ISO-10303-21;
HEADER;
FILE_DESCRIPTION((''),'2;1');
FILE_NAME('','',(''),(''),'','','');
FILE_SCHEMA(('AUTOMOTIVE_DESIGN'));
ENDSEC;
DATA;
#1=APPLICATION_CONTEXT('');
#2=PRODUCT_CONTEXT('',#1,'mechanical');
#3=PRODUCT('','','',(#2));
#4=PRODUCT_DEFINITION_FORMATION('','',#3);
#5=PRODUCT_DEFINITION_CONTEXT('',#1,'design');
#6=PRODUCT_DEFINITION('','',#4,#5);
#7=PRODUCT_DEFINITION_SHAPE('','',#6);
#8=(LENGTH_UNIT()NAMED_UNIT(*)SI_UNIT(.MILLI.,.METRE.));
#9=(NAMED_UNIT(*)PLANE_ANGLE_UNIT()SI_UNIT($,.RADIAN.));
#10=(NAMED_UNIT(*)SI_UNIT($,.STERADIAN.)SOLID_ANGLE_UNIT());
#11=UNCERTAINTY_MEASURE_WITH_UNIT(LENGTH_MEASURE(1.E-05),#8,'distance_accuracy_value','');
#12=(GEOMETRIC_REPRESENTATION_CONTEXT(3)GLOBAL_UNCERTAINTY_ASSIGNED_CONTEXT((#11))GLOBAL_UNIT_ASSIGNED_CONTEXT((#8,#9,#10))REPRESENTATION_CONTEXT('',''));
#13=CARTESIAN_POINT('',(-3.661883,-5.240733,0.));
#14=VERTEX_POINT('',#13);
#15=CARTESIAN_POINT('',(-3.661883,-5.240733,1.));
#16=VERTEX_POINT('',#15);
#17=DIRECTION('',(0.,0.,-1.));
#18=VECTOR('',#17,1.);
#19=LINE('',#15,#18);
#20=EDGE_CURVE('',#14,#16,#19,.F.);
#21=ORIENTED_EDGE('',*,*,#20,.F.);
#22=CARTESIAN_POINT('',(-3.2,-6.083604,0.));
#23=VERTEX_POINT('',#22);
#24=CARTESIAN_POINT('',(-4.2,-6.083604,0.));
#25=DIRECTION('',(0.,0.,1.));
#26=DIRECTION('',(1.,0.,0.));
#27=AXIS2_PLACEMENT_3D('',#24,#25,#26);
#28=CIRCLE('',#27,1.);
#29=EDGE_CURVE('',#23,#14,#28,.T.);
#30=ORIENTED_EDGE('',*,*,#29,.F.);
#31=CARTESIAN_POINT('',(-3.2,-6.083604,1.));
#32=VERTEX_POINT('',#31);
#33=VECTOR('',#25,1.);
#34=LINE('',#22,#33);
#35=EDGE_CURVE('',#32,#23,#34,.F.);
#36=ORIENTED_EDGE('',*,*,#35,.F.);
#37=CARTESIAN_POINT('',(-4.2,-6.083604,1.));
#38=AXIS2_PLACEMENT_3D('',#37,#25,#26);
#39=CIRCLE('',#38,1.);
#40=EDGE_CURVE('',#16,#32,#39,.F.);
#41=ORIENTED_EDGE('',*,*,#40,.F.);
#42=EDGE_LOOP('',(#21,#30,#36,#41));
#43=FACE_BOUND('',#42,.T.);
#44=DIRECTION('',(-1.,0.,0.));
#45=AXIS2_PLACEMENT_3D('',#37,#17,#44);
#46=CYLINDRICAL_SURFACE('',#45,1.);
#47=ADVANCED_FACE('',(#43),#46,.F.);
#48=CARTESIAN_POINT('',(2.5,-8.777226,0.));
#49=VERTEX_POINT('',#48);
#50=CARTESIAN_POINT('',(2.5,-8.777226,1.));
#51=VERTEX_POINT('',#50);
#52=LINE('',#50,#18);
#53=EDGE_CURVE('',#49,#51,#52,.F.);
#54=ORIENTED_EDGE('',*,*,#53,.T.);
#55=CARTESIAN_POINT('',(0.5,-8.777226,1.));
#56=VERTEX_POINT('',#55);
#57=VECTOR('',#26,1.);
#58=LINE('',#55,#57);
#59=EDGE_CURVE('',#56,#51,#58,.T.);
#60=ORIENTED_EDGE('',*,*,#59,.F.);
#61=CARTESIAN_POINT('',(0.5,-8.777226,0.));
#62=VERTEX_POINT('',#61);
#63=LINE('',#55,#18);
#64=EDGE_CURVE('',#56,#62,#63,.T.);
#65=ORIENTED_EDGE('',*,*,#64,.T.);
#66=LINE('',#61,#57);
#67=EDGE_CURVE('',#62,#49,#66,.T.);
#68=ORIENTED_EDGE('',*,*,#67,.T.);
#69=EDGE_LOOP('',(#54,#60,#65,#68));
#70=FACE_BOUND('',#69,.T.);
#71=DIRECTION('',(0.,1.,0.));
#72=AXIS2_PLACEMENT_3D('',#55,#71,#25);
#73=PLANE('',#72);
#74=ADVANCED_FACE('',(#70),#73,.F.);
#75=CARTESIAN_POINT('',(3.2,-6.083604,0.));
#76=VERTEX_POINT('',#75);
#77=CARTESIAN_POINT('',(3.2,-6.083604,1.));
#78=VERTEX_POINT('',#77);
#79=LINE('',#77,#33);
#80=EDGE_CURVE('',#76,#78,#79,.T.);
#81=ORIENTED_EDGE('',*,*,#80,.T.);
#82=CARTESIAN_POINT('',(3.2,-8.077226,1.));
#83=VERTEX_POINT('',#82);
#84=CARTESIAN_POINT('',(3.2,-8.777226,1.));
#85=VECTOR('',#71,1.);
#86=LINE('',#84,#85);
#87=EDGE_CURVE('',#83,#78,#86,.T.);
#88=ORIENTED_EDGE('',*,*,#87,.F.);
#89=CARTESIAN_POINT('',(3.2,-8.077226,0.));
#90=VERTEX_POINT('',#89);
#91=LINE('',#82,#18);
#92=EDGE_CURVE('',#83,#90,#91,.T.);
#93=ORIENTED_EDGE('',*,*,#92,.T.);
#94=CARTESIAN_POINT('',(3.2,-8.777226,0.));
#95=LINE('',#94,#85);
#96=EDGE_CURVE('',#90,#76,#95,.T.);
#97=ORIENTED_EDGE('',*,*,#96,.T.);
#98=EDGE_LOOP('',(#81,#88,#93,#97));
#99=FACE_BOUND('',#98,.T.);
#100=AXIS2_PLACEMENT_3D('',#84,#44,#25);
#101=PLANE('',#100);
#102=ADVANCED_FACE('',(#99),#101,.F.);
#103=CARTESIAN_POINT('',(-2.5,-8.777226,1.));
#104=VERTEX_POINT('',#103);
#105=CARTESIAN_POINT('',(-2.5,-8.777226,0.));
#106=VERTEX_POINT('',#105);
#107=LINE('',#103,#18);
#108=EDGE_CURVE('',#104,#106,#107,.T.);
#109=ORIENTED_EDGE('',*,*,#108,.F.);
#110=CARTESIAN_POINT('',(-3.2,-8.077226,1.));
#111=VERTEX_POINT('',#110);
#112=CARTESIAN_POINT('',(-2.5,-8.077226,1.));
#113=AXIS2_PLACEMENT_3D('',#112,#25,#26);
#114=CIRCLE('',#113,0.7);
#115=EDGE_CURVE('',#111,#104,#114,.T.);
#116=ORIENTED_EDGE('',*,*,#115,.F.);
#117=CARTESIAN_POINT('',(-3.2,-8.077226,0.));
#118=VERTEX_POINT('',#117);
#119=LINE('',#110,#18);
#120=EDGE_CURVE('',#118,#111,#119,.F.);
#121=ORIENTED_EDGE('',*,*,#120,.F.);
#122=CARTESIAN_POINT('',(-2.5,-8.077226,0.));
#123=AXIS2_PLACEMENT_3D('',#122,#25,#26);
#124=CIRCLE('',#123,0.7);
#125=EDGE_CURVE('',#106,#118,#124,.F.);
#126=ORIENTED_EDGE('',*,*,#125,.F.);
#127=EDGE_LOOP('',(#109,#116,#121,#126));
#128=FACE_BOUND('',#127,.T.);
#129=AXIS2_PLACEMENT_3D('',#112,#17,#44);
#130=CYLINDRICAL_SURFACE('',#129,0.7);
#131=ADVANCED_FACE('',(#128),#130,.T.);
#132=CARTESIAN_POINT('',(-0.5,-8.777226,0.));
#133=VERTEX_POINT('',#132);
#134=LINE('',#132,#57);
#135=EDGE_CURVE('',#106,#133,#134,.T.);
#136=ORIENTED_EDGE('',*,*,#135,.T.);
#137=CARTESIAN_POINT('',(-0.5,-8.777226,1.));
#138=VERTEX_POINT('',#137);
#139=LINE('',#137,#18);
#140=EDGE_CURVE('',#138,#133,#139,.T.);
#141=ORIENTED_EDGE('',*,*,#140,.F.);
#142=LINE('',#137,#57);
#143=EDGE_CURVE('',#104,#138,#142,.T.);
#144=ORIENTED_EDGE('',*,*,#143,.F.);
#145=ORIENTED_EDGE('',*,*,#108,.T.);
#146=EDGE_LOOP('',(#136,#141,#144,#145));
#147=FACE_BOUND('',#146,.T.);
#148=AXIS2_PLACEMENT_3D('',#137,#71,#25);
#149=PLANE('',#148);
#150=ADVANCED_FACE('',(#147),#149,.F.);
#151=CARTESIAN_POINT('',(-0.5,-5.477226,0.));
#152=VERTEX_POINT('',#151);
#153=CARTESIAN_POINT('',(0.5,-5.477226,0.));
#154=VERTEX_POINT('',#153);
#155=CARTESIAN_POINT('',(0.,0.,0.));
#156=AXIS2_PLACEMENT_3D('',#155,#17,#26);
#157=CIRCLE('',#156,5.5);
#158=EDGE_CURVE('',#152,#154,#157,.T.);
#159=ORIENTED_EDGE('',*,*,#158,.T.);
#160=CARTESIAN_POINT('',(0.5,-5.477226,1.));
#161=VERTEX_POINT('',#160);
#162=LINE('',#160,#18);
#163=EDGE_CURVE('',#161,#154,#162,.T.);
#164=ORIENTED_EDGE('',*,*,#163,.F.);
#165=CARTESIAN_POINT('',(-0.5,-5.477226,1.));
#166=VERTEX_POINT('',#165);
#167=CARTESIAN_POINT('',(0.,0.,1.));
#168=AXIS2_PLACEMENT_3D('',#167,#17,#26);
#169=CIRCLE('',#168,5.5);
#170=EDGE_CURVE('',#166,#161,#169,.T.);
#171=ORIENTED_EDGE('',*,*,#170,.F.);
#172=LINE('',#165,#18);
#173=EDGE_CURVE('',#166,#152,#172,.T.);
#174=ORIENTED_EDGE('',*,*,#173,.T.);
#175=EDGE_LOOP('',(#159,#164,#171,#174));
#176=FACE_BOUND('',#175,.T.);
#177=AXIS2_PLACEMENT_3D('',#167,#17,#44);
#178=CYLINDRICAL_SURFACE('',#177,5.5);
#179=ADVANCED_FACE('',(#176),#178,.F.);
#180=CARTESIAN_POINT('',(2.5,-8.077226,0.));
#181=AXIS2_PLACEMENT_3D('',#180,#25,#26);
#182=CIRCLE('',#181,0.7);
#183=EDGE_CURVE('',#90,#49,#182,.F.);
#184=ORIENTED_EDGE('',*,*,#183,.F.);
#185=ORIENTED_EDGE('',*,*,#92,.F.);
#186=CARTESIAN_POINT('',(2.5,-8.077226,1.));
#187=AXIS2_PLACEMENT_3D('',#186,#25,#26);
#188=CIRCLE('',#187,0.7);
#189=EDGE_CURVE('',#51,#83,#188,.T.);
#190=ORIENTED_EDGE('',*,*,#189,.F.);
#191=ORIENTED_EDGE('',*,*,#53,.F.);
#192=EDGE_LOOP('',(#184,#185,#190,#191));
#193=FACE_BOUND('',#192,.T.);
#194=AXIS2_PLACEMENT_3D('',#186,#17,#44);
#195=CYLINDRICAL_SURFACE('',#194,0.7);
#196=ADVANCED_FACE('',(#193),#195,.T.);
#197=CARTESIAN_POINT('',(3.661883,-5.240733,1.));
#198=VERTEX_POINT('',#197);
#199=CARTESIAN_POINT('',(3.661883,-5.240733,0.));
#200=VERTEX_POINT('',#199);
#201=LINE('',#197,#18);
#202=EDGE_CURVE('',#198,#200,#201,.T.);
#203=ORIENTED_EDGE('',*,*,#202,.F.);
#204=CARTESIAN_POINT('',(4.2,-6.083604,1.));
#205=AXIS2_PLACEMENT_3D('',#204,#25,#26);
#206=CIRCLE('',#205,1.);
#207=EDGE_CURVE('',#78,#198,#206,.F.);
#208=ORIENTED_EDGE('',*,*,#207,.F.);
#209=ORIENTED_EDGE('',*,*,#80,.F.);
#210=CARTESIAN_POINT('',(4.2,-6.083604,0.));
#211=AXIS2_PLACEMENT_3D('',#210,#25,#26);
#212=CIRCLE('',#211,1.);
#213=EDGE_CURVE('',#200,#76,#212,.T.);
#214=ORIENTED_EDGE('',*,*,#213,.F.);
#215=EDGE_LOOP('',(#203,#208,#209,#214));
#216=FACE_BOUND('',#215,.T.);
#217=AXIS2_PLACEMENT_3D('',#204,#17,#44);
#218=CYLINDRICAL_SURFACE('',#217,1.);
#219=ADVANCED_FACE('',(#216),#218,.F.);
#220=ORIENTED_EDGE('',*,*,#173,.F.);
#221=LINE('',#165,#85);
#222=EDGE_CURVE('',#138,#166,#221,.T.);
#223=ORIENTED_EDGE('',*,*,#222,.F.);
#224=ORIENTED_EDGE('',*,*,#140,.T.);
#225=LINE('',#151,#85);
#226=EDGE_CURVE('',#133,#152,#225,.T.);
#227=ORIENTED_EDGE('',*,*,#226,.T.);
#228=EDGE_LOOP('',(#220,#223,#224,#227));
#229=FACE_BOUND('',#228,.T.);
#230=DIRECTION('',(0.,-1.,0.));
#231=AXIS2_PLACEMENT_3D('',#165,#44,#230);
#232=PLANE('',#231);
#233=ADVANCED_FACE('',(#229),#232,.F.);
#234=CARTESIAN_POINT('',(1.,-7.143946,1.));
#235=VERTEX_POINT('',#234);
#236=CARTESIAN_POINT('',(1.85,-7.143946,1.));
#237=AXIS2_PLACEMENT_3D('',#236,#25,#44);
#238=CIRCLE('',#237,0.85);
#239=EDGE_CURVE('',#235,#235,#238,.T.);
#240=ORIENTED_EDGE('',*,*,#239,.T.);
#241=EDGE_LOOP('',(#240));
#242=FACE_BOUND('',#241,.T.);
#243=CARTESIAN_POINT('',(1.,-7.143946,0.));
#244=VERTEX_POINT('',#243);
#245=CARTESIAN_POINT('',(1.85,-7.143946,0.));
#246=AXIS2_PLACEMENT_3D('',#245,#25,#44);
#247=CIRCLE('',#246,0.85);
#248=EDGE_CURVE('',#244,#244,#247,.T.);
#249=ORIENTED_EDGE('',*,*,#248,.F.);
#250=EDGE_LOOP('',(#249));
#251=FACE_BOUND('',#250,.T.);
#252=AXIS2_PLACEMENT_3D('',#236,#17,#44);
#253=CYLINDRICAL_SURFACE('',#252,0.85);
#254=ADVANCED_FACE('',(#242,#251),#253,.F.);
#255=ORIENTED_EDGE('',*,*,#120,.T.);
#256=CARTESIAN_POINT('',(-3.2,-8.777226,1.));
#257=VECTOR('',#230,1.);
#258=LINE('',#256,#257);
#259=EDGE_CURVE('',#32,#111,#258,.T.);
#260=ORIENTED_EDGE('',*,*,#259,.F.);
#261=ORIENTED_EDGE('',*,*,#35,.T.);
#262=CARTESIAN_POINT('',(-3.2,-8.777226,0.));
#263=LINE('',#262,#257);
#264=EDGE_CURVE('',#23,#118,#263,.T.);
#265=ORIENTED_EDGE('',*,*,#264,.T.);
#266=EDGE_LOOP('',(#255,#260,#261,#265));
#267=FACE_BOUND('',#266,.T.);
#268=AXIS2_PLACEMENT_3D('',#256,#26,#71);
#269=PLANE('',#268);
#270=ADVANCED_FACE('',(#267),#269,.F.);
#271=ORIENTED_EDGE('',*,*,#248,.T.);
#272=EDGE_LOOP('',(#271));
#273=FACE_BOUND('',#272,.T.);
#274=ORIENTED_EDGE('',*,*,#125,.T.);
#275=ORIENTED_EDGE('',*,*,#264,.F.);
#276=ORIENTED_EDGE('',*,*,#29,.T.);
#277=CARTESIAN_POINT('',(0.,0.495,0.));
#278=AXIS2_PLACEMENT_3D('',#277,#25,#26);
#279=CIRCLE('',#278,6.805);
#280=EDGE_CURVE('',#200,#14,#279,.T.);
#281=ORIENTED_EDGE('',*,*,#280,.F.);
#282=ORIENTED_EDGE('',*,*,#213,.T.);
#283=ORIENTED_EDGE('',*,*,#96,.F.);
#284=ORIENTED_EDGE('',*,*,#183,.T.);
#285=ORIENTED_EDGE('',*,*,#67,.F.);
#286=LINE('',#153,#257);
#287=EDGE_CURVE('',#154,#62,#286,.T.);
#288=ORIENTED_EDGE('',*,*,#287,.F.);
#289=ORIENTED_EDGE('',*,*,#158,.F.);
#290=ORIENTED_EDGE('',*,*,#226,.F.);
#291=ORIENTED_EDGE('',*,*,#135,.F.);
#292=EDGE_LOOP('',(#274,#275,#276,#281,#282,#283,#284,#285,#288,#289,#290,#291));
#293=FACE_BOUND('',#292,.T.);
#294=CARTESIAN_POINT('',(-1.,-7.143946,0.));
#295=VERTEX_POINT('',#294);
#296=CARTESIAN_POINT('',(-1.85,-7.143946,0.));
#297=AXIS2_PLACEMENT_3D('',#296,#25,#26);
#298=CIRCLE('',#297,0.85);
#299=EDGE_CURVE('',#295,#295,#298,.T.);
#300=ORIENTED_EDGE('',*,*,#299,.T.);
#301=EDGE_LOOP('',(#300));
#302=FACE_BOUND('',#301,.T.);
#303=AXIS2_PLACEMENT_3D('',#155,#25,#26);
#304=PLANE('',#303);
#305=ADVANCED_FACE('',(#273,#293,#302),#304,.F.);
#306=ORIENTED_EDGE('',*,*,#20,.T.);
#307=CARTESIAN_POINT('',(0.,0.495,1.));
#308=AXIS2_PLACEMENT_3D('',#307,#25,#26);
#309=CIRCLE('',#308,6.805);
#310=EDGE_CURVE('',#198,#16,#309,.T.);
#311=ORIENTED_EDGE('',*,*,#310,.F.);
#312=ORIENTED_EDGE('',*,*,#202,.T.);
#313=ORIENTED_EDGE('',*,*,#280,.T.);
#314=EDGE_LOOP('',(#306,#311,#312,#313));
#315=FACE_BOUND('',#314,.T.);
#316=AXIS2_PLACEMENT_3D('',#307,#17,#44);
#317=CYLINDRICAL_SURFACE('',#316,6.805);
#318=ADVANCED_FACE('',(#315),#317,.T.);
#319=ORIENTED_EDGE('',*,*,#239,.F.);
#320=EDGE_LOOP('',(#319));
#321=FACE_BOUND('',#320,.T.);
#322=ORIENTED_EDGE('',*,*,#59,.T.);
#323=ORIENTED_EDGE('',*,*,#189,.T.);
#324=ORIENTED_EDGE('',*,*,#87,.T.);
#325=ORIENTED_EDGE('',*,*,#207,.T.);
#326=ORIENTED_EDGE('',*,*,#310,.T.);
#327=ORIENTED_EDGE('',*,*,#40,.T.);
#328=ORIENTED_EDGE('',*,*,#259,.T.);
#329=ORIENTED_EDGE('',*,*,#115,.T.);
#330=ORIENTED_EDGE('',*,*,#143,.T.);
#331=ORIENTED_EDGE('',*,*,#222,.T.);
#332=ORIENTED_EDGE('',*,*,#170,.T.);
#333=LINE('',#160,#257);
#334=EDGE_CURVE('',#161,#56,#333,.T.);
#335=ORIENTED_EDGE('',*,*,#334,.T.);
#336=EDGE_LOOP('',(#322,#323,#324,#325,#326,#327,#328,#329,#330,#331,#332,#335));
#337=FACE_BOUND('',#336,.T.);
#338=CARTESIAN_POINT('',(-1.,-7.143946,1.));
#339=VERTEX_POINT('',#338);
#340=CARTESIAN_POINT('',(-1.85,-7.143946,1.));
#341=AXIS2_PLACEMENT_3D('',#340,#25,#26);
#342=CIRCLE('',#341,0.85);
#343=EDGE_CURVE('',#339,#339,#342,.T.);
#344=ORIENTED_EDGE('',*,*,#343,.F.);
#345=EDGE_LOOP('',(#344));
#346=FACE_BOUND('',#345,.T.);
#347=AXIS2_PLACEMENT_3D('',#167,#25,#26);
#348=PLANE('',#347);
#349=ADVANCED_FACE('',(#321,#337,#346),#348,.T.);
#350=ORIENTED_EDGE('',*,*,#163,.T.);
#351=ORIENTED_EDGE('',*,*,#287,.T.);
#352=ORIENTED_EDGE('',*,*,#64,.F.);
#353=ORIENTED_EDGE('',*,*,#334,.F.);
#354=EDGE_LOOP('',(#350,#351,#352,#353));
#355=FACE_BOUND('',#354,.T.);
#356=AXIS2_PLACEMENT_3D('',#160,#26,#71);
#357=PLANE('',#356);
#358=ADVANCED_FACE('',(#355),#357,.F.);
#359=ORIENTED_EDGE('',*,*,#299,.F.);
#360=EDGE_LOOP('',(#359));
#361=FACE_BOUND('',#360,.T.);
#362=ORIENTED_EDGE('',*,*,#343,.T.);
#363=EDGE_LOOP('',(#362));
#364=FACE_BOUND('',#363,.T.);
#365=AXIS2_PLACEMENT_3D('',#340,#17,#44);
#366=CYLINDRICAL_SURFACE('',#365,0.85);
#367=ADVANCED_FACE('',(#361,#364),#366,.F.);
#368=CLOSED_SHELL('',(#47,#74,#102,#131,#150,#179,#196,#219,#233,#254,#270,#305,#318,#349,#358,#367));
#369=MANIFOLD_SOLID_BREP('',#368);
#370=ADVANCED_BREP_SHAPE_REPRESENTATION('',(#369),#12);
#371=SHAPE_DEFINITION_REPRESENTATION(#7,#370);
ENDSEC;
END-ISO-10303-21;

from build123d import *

# Parameters (mm, degrees)
BODYSKE_R      = 0.85
BASEBODY_DEPTH = 1
FILLET1_R      = 1
FILLET2_R      = 0.7


with BuildPart() as part:
    # BodySke → BaseBody (new body)
    with BuildSketch(Plane.XY):
        with BuildLine():
            Line((-0.5, -5.477225575), (-0.5, -8.777225575))
            Line((-0.5, -8.777225575), (-3.2, -8.777225575))
            Line((-3.2, -8.777225575), (-3.2, -5.510666075))
            ThreePointArc((-3.2, -5.510666075), (0, 7.3), (3.2, -5.510666075))
            Line((3.2, -5.510666075), (3.2, -8.777225575))
            Line((3.2, -8.777225575), (0.5, -8.777225575))
            Line((0.5, -8.777225575), (0.5, -5.477225575))
            ThreePointArc((0.5, -5.477225575), (0, 5.5), (-0.5, -5.477225575))
        make_face()
        with Locations((-1.85, -7.143945825)):
            Circle(BODYSKE_R, mode=Mode.SUBTRACT)
        with Locations(Location((1.85, -7.143945825, 0), (0, 0, 180))):
            Circle(BODYSKE_R, mode=Mode.SUBTRACT)
    extrude(amount=BASEBODY_DEPTH)

    # Fillet1
    fillet1_edges = [part.edges().sort_by_distance(p)[0] for p in [
        (-3.2, -5.510666075, 0.5),
        (3.2, -5.510666075, 0.5),
    ]]
    fillet(fillet1_edges, radius=FILLET1_R)

    # Fillet2
    fillet2_edges = [part.edges().sort_by_distance(p)[0] for p in [
        (-3.2, -8.777225575, 0.5),
        (3.2, -8.777225575, 0.5),
    ]]
    fillet(fillet2_edges, radius=FILLET2_R)


solid = part.part
